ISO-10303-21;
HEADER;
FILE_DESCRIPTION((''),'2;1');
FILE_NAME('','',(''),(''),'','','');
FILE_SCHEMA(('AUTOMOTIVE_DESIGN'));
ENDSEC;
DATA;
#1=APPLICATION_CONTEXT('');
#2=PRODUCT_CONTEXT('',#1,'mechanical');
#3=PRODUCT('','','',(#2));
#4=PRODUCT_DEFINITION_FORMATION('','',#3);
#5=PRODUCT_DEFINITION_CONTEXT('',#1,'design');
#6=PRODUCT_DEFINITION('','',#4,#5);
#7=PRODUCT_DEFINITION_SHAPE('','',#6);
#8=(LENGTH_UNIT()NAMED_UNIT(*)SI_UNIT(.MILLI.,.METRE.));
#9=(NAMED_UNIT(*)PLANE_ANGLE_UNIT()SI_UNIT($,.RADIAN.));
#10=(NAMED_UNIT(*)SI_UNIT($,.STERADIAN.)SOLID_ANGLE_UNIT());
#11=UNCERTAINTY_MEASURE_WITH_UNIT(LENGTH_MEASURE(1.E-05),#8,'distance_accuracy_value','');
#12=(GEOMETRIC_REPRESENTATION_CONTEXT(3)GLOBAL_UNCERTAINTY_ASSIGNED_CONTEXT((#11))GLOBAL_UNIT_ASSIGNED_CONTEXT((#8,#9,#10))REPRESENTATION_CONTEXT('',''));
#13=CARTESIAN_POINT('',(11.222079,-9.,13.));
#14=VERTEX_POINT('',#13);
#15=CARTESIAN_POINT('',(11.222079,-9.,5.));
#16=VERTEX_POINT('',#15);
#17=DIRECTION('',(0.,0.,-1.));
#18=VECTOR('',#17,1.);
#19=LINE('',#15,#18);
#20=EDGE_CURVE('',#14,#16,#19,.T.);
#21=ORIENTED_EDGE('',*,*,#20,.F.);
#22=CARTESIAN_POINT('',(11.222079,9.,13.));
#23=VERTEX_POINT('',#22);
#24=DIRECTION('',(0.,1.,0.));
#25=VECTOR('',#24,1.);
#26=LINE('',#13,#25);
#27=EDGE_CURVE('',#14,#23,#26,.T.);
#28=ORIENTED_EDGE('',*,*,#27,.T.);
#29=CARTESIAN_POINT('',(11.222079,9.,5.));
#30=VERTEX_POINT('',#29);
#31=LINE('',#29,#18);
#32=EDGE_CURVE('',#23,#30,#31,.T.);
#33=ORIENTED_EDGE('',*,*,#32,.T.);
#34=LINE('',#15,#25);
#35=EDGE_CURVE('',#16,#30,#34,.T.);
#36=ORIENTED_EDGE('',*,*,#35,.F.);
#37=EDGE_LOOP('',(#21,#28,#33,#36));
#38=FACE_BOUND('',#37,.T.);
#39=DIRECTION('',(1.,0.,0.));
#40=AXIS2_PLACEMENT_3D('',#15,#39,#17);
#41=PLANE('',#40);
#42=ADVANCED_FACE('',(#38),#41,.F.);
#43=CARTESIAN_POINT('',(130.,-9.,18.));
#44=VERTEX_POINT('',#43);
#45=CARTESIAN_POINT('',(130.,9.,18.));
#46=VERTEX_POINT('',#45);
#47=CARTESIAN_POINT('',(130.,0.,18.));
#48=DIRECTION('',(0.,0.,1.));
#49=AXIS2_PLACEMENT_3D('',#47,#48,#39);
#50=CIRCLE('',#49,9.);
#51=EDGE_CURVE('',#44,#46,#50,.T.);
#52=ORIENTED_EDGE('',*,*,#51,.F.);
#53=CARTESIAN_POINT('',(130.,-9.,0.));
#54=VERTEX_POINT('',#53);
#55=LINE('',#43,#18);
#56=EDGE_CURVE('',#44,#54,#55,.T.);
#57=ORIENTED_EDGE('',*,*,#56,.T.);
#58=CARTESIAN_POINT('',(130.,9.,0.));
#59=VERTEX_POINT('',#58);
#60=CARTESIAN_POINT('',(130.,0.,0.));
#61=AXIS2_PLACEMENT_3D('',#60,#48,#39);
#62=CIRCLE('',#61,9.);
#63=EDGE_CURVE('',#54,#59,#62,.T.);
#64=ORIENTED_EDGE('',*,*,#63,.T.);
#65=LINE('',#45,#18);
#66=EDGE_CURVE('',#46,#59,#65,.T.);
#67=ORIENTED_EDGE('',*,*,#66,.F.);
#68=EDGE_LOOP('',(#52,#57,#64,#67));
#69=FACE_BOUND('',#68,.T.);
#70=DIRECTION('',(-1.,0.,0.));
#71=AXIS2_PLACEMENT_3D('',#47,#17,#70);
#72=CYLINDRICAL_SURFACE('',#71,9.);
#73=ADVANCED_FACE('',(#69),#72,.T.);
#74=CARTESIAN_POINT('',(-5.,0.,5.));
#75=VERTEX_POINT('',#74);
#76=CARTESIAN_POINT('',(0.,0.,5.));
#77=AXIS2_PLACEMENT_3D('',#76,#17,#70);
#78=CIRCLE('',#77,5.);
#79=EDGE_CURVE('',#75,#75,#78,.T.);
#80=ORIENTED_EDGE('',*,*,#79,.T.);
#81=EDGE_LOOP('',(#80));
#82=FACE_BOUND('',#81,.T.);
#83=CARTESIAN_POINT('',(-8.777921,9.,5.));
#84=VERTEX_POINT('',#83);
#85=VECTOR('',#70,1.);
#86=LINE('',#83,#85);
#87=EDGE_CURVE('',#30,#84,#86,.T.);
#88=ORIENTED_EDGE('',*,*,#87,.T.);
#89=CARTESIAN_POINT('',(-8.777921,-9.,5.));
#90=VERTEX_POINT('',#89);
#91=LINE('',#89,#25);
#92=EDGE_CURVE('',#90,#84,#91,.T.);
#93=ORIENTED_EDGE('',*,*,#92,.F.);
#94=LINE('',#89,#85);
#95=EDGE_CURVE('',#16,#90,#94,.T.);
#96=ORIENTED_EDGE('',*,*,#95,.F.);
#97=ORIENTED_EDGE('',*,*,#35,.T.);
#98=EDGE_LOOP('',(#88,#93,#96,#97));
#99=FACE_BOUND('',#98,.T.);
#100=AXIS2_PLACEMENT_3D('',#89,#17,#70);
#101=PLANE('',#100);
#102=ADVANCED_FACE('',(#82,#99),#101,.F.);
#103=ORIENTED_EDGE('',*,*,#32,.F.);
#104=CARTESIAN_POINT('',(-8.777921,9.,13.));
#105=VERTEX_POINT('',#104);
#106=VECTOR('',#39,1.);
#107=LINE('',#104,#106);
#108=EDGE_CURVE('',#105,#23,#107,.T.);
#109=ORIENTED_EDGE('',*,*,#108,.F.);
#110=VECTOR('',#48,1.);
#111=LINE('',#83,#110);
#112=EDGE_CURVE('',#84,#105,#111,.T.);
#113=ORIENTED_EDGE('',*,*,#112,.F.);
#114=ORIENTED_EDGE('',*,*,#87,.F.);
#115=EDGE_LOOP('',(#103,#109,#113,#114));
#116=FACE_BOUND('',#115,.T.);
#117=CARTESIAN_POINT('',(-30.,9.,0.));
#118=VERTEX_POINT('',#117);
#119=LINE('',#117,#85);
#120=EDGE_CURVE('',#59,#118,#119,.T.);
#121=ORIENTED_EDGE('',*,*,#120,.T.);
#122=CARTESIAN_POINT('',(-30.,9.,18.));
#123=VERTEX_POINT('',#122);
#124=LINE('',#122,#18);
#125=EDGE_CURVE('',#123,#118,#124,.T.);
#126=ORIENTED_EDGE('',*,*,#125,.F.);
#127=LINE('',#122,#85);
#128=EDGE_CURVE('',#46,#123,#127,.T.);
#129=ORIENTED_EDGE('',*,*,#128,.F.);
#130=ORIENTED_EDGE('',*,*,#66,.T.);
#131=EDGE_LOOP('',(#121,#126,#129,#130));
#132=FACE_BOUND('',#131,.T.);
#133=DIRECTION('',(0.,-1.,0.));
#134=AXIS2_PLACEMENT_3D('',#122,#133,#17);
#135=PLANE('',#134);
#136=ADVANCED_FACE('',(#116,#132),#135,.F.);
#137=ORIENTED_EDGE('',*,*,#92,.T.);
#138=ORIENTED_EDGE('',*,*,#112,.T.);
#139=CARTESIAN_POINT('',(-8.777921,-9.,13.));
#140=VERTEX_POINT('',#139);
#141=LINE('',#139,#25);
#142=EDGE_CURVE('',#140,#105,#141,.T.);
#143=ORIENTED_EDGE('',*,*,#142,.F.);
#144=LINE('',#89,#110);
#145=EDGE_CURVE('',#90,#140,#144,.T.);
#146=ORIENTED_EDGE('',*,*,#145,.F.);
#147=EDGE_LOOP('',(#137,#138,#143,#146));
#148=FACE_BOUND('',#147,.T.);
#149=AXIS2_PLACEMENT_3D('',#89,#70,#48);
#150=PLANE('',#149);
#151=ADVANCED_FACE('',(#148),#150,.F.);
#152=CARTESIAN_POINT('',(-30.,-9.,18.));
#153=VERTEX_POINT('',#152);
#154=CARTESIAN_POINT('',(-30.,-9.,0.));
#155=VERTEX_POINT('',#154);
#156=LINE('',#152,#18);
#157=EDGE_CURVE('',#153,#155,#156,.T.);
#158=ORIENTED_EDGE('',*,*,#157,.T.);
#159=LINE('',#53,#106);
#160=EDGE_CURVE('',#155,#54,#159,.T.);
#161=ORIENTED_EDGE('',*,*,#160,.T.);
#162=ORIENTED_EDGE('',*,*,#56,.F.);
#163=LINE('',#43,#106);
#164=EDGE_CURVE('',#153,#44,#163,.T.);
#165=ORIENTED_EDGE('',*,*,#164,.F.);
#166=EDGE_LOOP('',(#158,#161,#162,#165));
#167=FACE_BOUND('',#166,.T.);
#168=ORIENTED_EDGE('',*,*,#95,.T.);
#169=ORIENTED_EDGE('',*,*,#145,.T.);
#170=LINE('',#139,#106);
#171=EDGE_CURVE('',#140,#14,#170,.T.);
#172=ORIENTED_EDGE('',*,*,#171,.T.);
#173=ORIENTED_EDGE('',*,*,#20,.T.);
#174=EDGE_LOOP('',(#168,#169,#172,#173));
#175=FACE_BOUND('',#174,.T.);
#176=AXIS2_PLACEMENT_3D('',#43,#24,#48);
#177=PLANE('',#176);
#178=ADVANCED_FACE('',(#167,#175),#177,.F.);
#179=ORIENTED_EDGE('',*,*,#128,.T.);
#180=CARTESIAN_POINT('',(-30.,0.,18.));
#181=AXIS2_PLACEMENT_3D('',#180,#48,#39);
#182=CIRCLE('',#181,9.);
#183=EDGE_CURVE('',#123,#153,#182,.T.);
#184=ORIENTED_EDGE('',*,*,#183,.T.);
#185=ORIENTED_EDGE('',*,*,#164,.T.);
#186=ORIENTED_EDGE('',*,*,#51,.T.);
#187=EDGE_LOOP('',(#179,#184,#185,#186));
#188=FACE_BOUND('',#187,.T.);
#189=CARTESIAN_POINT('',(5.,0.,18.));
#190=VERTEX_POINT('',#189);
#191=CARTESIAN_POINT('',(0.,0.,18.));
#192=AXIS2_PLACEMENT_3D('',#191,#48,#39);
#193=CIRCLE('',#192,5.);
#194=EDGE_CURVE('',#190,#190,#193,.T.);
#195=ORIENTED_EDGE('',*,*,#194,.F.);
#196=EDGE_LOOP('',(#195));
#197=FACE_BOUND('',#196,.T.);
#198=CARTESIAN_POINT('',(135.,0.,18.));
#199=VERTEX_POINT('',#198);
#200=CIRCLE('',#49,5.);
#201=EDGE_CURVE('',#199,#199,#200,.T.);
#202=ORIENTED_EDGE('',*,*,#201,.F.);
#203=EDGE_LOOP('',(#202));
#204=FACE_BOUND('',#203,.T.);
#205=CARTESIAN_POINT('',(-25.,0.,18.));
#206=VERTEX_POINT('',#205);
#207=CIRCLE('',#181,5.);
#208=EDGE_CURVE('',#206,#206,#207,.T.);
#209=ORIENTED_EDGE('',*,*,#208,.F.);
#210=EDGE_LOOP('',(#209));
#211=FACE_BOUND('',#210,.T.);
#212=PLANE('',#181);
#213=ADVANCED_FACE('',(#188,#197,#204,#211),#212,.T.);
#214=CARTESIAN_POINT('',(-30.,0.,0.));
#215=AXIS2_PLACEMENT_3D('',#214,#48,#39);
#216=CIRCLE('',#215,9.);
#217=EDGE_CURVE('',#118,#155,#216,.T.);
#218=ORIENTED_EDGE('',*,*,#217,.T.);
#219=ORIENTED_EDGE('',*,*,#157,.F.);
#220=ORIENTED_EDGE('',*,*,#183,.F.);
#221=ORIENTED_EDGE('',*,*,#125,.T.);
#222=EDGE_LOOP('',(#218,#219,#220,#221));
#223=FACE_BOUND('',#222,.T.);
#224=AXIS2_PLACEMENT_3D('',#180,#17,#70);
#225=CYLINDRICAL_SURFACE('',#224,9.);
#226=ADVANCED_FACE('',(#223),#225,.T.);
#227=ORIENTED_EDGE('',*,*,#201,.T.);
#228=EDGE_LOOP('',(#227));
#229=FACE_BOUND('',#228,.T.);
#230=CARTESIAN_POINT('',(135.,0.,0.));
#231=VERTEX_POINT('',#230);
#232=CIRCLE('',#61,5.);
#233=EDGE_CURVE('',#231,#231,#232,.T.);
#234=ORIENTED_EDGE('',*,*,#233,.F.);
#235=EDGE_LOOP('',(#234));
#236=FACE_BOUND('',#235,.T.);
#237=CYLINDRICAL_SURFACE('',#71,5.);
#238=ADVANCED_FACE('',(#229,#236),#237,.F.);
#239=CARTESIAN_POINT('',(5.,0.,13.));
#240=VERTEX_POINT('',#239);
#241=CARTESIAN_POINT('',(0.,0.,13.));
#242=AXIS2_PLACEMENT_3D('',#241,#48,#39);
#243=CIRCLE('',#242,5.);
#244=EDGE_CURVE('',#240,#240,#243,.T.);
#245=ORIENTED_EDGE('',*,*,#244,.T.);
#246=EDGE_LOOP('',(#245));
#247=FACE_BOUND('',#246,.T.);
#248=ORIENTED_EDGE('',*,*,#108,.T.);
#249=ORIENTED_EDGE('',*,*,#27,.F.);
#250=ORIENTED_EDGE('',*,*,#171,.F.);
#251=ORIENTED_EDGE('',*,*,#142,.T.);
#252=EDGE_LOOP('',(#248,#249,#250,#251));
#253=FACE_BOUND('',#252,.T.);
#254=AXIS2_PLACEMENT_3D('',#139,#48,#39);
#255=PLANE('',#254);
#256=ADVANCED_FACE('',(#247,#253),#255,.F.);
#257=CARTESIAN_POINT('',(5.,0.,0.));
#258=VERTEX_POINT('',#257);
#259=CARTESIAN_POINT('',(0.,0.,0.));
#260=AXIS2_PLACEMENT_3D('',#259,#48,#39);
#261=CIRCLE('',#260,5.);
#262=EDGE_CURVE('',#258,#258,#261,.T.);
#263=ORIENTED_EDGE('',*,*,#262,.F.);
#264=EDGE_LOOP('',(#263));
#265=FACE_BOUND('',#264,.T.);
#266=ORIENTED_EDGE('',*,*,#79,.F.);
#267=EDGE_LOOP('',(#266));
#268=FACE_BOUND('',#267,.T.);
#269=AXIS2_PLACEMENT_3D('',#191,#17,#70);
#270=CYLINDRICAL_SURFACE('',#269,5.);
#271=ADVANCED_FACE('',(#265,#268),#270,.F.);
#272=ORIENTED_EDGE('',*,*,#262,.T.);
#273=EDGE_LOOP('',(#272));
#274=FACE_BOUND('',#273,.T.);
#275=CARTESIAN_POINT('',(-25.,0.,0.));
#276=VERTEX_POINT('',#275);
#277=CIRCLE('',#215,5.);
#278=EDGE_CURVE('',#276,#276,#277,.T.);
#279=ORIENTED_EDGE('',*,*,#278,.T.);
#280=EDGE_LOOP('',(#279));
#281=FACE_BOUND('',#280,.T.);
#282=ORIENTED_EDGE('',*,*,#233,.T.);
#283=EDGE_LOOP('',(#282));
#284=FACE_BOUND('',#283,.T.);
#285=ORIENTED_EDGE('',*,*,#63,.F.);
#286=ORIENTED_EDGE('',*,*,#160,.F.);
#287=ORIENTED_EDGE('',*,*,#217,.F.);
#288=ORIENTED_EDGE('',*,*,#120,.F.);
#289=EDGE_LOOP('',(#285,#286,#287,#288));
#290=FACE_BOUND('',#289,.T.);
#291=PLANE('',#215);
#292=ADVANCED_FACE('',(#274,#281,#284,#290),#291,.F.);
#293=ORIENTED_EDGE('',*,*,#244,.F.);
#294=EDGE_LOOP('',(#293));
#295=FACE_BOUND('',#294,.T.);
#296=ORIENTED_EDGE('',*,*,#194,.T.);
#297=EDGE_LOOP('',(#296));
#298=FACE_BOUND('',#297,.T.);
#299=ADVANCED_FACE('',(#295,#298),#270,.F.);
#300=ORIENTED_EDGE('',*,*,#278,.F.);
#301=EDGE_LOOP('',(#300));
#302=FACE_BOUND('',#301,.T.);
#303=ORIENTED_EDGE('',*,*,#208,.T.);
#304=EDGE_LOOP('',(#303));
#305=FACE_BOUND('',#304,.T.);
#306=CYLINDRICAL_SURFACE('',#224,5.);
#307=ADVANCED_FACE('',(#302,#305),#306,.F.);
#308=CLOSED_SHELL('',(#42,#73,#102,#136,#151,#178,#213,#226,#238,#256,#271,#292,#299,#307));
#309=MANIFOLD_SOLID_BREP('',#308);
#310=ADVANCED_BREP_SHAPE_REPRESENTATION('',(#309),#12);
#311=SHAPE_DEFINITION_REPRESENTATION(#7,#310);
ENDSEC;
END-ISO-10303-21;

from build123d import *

# Parameters (mm, degrees)
SKETCH1_R           = 5
BOSS_EXTRUDE1_DEPTH = 18
SKETCH3_W           = 20
SKETCH3_H           = 8
CUT_EXTRUDE1_DEPTH  = 18


with BuildPart() as part:
    # Sketch1 → Boss-Extrude1 (new body)
    with BuildSketch(Plane.XY):
        with BuildLine():
            Line((-30, 9), (130, 9))
            ThreePointArc((130, 9), (139, 0), (130, -9))
            Line((130, -9), (-30, -9))
            ThreePointArc((-30, -9), (-39, 0), (-30, 9))
        make_face()
        Circle(SKETCH1_R, mode=Mode.SUBTRACT)
        with Locations((130, 0)):
            Circle(SKETCH1_R, mode=Mode.SUBTRACT)
        with Locations((-30, 0)):
            Circle(SKETCH1_R, mode=Mode.SUBTRACT)
    extrude(amount=BOSS_EXTRUDE1_DEPTH)

    # Sketch3 → Cut-Extrude1 (cut)
    with BuildSketch(Plane(origin=(0, 9, 0), x_dir=(1, 0, 0), z_dir=(0, 1, 0))):
        with Locations((1.222079484, -9)):
            Rectangle(SKETCH3_W, SKETCH3_H)
    extrude(amount=-CUT_EXTRUDE1_DEPTH, mode=Mode.SUBTRACT)


solid = part.part
